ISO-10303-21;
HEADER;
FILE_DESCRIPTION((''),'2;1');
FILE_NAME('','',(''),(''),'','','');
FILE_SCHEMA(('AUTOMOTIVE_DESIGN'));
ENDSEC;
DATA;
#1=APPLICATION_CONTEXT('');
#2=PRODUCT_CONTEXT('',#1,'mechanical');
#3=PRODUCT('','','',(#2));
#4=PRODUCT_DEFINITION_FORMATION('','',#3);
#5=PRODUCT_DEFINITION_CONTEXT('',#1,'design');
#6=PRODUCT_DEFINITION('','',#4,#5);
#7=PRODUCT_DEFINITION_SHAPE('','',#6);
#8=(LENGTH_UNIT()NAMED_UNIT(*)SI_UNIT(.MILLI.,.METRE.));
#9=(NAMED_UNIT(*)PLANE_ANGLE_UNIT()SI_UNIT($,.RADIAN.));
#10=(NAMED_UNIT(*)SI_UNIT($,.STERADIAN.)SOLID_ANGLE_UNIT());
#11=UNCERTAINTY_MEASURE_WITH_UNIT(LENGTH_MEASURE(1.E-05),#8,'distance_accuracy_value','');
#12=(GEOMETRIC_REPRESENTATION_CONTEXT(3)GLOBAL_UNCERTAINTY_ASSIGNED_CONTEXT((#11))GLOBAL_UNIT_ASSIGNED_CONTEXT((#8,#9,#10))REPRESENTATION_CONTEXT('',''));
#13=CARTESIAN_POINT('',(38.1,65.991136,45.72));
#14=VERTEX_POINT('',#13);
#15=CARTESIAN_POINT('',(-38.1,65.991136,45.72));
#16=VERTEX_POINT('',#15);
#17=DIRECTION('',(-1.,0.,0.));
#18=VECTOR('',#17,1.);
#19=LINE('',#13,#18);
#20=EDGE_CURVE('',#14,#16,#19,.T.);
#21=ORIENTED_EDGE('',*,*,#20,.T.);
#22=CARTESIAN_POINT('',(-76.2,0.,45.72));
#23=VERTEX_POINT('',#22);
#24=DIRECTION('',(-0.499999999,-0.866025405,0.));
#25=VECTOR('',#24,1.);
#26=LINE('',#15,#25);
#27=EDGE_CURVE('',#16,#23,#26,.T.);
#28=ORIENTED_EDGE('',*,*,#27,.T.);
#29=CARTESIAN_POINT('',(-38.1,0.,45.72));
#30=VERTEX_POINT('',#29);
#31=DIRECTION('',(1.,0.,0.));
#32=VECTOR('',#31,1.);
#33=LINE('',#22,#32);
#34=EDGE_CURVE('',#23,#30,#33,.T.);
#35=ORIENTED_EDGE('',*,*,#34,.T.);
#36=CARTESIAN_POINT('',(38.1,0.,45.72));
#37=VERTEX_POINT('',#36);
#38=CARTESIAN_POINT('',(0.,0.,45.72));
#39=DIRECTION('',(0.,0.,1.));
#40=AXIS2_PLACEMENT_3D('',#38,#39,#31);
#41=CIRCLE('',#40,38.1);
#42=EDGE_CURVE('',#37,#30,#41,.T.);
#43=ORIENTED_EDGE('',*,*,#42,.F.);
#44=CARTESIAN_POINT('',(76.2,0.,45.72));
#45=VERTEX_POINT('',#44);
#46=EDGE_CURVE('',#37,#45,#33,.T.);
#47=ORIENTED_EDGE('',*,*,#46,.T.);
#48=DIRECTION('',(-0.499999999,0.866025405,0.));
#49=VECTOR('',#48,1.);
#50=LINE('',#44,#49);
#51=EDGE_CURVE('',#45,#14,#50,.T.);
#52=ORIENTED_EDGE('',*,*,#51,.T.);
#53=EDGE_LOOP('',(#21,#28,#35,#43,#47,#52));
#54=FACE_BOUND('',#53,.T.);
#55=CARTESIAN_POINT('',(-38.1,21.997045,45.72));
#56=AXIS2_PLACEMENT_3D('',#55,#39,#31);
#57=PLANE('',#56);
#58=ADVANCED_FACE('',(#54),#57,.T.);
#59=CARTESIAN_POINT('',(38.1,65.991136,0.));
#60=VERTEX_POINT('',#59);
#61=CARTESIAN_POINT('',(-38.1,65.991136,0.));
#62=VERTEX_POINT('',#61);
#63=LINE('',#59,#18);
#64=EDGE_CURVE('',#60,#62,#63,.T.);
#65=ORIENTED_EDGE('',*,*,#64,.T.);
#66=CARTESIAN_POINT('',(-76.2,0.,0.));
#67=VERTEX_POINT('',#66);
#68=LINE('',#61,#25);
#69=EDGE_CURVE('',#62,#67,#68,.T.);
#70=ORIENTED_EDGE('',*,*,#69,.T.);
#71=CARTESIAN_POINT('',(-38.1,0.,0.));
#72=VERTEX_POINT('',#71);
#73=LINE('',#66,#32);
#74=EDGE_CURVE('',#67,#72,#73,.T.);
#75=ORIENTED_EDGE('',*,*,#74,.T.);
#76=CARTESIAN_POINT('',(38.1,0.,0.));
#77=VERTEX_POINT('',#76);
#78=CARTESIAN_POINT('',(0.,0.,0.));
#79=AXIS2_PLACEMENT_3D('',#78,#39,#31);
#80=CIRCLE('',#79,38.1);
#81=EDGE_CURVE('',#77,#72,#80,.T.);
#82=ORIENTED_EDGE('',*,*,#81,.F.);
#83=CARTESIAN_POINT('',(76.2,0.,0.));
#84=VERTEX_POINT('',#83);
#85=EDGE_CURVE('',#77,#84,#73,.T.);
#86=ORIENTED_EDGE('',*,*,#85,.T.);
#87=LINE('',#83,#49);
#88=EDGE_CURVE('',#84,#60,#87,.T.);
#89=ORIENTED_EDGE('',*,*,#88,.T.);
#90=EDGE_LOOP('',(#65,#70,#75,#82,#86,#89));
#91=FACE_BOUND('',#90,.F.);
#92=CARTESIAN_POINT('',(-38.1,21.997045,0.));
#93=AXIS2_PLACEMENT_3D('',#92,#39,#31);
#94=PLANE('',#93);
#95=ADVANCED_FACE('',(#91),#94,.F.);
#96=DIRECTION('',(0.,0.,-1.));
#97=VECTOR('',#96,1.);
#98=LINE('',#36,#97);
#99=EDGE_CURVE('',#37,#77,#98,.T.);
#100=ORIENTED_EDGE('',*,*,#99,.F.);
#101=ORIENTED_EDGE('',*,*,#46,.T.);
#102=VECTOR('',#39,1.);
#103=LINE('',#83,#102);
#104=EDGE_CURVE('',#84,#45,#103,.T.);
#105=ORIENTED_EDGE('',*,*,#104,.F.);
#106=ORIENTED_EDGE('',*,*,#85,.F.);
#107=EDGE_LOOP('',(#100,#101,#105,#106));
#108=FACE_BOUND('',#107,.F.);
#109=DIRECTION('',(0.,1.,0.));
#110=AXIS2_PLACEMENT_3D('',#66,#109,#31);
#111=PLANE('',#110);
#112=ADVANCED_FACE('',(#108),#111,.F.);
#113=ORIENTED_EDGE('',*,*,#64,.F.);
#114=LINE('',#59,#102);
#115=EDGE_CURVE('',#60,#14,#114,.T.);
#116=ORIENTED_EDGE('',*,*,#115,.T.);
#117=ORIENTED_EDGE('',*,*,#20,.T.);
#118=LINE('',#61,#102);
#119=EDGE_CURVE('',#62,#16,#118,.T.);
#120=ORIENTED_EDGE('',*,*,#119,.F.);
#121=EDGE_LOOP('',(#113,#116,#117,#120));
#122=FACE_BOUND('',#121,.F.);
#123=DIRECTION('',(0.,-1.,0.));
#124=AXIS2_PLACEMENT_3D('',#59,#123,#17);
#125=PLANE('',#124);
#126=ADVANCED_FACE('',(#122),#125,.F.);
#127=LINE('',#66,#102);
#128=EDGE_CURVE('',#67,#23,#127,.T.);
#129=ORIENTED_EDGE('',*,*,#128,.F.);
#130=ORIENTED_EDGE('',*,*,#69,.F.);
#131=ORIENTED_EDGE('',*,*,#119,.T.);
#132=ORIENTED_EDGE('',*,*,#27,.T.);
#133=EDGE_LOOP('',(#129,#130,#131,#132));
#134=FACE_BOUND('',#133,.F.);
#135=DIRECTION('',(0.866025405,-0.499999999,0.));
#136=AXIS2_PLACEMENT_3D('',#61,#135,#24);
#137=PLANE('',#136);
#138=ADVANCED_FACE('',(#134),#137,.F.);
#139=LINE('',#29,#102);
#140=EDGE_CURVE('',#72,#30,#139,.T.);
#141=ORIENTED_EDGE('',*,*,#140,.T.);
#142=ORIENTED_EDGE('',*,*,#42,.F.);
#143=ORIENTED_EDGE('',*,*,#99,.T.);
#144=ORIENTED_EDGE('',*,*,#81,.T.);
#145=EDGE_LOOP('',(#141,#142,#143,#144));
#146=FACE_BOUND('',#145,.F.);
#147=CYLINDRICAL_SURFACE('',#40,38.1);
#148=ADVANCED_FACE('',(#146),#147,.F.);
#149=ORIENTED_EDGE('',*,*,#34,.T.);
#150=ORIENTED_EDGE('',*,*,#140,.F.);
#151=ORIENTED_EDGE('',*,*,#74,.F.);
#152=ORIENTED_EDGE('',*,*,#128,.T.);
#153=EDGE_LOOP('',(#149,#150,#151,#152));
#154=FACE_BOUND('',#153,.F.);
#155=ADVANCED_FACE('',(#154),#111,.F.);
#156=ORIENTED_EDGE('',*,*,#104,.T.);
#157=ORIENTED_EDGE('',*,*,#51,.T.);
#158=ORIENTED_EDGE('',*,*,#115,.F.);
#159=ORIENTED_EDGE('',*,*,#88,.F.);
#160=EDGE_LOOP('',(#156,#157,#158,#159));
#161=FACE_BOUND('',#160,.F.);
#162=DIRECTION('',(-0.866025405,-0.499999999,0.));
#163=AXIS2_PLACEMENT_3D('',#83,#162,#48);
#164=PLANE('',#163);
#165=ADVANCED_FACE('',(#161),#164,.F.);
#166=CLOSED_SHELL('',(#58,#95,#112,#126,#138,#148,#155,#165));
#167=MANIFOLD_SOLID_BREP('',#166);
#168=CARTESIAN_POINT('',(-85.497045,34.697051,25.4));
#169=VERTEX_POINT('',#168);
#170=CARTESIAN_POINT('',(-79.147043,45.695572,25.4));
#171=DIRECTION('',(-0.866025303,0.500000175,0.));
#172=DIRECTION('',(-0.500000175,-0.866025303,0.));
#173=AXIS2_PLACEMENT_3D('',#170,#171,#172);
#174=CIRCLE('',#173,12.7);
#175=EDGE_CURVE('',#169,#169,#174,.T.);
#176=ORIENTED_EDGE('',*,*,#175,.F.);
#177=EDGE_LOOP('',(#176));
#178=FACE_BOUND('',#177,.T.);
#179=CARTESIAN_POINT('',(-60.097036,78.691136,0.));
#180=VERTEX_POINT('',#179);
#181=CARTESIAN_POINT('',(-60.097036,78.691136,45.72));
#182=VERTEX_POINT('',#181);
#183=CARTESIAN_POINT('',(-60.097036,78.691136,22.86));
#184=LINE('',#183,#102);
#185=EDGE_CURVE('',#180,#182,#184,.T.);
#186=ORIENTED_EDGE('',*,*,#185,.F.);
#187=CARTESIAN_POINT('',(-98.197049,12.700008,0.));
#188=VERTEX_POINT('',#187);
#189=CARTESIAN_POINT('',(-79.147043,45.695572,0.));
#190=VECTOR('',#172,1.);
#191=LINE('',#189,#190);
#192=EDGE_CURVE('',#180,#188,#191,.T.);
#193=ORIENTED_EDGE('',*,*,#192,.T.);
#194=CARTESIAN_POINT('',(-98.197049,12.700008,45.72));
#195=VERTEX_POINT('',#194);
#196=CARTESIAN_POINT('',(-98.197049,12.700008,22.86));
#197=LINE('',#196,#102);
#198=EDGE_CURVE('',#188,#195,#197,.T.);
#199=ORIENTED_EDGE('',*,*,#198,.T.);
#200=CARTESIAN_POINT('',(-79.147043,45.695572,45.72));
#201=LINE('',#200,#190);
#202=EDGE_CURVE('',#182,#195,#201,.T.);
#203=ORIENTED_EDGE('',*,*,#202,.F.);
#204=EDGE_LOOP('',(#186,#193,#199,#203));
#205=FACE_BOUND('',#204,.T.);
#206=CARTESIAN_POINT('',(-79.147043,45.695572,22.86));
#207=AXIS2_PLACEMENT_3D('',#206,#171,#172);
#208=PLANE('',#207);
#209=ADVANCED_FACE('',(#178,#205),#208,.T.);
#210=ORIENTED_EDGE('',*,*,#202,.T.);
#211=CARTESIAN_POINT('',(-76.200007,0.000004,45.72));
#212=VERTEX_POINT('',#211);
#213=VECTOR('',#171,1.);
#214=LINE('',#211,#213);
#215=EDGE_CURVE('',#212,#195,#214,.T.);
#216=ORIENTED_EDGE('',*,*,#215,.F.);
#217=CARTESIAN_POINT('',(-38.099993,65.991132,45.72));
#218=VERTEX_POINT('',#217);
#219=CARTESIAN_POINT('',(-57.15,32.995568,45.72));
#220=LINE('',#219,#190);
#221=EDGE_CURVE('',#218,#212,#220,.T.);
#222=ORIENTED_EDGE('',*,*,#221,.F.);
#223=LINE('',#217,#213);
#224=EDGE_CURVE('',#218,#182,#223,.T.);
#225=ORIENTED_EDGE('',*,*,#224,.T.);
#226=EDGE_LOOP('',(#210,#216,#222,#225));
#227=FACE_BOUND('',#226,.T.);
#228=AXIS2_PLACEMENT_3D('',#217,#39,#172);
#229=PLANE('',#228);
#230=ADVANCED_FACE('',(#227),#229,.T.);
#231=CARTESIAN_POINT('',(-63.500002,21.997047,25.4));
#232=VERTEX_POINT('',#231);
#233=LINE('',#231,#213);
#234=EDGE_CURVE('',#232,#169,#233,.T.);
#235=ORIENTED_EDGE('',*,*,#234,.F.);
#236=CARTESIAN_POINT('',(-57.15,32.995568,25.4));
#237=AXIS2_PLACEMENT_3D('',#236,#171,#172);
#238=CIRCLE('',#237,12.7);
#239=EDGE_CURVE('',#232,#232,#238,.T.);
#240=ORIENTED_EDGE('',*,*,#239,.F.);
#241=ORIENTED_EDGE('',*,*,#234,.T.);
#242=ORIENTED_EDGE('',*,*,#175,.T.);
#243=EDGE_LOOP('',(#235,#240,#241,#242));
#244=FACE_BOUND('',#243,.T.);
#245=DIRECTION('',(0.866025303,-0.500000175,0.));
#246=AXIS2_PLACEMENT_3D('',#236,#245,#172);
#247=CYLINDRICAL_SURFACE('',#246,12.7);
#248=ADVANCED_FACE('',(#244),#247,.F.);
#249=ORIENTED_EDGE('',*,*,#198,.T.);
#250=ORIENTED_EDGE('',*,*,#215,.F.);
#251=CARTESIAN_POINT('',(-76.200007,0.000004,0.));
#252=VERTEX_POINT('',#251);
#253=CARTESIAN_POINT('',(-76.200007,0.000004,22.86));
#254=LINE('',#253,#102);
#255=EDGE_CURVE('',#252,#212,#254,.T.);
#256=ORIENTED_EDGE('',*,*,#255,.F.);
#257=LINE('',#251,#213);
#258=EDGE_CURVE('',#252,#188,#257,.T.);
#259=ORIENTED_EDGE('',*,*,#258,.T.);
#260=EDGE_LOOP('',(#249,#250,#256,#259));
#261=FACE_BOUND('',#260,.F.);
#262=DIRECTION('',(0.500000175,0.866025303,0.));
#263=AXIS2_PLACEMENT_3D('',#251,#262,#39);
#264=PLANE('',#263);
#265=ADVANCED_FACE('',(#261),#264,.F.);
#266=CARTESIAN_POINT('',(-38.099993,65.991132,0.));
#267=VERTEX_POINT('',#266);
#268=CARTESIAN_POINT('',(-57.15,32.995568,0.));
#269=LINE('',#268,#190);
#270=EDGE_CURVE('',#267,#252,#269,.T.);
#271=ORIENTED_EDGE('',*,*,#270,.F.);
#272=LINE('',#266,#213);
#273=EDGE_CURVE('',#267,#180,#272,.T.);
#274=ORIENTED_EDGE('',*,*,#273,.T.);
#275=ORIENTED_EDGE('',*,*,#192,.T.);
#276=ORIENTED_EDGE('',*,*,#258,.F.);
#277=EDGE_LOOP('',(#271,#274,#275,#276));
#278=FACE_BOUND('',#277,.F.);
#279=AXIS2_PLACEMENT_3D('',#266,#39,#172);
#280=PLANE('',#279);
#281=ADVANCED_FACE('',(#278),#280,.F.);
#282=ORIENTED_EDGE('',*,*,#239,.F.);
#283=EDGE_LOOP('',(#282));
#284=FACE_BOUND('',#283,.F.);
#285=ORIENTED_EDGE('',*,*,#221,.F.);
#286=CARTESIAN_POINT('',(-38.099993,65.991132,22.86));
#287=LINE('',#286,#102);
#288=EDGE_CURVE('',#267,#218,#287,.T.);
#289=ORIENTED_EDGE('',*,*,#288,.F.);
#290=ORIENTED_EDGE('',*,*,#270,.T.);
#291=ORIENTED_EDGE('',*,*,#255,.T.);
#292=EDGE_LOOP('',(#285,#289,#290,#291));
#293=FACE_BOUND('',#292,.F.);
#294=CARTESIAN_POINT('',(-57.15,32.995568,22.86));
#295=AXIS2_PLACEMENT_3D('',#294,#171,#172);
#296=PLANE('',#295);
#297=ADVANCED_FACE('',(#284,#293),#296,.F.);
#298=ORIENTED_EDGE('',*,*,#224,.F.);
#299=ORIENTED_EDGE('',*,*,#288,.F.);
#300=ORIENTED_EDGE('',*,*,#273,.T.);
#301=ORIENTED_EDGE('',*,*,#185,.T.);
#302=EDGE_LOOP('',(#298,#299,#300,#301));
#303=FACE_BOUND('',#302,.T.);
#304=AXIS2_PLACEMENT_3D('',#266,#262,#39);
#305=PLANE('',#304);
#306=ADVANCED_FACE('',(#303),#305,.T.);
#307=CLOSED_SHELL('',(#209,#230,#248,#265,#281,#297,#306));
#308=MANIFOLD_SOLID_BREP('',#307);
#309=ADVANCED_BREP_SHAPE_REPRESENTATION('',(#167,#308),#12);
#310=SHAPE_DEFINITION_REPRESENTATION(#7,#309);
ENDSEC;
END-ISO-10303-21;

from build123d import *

# Parameters (mm, degrees)
F1_DEPTH = 45.72
F2_R     = 38.1
F3_DEPTH = 45.721
F4_W     = 76.2
F4_H     = 45.72
F4_R     = 12.7
F5_DEPTH = 25.4


with BuildPart() as f1:
    # F0 (on Top) → F1 (new body)
    with BuildSketch(Plane.XY):
        Polygon((-76.2, 0), (0, 0), (-38.1, 65.991136), align=None)
        Polygon((-38.1, 65.991136), (0, 0), (76.2, 0), (38.1, 65.991136), align=None)
    extrude(amount=F1_DEPTH)

    # F2 (on face) → F3 (cut, through all)
    with BuildSketch(Plane.XY.offset(45.72)):
        Circle(F2_R)
    extrude(amount=-F3_DEPTH, mode=Mode.SUBTRACT)


with BuildPart() as f5:
    # F4 (on face) → F5 (new body)
    with BuildSketch(Plane(origin=(-57.15, 32.995568, 0), x_dir=(-0.5, -0.866025, 0), z_dir=(-0.866025, 0.5, 0))):
        with Locations((0, 22.86)):
            Rectangle(F4_W, F4_H)
        with Locations((0, 25.4)):
            Circle(F4_R, mode=Mode.SUBTRACT)
    extrude(amount=F5_DEPTH)


solid = Compound([f1.part, f5.part])
